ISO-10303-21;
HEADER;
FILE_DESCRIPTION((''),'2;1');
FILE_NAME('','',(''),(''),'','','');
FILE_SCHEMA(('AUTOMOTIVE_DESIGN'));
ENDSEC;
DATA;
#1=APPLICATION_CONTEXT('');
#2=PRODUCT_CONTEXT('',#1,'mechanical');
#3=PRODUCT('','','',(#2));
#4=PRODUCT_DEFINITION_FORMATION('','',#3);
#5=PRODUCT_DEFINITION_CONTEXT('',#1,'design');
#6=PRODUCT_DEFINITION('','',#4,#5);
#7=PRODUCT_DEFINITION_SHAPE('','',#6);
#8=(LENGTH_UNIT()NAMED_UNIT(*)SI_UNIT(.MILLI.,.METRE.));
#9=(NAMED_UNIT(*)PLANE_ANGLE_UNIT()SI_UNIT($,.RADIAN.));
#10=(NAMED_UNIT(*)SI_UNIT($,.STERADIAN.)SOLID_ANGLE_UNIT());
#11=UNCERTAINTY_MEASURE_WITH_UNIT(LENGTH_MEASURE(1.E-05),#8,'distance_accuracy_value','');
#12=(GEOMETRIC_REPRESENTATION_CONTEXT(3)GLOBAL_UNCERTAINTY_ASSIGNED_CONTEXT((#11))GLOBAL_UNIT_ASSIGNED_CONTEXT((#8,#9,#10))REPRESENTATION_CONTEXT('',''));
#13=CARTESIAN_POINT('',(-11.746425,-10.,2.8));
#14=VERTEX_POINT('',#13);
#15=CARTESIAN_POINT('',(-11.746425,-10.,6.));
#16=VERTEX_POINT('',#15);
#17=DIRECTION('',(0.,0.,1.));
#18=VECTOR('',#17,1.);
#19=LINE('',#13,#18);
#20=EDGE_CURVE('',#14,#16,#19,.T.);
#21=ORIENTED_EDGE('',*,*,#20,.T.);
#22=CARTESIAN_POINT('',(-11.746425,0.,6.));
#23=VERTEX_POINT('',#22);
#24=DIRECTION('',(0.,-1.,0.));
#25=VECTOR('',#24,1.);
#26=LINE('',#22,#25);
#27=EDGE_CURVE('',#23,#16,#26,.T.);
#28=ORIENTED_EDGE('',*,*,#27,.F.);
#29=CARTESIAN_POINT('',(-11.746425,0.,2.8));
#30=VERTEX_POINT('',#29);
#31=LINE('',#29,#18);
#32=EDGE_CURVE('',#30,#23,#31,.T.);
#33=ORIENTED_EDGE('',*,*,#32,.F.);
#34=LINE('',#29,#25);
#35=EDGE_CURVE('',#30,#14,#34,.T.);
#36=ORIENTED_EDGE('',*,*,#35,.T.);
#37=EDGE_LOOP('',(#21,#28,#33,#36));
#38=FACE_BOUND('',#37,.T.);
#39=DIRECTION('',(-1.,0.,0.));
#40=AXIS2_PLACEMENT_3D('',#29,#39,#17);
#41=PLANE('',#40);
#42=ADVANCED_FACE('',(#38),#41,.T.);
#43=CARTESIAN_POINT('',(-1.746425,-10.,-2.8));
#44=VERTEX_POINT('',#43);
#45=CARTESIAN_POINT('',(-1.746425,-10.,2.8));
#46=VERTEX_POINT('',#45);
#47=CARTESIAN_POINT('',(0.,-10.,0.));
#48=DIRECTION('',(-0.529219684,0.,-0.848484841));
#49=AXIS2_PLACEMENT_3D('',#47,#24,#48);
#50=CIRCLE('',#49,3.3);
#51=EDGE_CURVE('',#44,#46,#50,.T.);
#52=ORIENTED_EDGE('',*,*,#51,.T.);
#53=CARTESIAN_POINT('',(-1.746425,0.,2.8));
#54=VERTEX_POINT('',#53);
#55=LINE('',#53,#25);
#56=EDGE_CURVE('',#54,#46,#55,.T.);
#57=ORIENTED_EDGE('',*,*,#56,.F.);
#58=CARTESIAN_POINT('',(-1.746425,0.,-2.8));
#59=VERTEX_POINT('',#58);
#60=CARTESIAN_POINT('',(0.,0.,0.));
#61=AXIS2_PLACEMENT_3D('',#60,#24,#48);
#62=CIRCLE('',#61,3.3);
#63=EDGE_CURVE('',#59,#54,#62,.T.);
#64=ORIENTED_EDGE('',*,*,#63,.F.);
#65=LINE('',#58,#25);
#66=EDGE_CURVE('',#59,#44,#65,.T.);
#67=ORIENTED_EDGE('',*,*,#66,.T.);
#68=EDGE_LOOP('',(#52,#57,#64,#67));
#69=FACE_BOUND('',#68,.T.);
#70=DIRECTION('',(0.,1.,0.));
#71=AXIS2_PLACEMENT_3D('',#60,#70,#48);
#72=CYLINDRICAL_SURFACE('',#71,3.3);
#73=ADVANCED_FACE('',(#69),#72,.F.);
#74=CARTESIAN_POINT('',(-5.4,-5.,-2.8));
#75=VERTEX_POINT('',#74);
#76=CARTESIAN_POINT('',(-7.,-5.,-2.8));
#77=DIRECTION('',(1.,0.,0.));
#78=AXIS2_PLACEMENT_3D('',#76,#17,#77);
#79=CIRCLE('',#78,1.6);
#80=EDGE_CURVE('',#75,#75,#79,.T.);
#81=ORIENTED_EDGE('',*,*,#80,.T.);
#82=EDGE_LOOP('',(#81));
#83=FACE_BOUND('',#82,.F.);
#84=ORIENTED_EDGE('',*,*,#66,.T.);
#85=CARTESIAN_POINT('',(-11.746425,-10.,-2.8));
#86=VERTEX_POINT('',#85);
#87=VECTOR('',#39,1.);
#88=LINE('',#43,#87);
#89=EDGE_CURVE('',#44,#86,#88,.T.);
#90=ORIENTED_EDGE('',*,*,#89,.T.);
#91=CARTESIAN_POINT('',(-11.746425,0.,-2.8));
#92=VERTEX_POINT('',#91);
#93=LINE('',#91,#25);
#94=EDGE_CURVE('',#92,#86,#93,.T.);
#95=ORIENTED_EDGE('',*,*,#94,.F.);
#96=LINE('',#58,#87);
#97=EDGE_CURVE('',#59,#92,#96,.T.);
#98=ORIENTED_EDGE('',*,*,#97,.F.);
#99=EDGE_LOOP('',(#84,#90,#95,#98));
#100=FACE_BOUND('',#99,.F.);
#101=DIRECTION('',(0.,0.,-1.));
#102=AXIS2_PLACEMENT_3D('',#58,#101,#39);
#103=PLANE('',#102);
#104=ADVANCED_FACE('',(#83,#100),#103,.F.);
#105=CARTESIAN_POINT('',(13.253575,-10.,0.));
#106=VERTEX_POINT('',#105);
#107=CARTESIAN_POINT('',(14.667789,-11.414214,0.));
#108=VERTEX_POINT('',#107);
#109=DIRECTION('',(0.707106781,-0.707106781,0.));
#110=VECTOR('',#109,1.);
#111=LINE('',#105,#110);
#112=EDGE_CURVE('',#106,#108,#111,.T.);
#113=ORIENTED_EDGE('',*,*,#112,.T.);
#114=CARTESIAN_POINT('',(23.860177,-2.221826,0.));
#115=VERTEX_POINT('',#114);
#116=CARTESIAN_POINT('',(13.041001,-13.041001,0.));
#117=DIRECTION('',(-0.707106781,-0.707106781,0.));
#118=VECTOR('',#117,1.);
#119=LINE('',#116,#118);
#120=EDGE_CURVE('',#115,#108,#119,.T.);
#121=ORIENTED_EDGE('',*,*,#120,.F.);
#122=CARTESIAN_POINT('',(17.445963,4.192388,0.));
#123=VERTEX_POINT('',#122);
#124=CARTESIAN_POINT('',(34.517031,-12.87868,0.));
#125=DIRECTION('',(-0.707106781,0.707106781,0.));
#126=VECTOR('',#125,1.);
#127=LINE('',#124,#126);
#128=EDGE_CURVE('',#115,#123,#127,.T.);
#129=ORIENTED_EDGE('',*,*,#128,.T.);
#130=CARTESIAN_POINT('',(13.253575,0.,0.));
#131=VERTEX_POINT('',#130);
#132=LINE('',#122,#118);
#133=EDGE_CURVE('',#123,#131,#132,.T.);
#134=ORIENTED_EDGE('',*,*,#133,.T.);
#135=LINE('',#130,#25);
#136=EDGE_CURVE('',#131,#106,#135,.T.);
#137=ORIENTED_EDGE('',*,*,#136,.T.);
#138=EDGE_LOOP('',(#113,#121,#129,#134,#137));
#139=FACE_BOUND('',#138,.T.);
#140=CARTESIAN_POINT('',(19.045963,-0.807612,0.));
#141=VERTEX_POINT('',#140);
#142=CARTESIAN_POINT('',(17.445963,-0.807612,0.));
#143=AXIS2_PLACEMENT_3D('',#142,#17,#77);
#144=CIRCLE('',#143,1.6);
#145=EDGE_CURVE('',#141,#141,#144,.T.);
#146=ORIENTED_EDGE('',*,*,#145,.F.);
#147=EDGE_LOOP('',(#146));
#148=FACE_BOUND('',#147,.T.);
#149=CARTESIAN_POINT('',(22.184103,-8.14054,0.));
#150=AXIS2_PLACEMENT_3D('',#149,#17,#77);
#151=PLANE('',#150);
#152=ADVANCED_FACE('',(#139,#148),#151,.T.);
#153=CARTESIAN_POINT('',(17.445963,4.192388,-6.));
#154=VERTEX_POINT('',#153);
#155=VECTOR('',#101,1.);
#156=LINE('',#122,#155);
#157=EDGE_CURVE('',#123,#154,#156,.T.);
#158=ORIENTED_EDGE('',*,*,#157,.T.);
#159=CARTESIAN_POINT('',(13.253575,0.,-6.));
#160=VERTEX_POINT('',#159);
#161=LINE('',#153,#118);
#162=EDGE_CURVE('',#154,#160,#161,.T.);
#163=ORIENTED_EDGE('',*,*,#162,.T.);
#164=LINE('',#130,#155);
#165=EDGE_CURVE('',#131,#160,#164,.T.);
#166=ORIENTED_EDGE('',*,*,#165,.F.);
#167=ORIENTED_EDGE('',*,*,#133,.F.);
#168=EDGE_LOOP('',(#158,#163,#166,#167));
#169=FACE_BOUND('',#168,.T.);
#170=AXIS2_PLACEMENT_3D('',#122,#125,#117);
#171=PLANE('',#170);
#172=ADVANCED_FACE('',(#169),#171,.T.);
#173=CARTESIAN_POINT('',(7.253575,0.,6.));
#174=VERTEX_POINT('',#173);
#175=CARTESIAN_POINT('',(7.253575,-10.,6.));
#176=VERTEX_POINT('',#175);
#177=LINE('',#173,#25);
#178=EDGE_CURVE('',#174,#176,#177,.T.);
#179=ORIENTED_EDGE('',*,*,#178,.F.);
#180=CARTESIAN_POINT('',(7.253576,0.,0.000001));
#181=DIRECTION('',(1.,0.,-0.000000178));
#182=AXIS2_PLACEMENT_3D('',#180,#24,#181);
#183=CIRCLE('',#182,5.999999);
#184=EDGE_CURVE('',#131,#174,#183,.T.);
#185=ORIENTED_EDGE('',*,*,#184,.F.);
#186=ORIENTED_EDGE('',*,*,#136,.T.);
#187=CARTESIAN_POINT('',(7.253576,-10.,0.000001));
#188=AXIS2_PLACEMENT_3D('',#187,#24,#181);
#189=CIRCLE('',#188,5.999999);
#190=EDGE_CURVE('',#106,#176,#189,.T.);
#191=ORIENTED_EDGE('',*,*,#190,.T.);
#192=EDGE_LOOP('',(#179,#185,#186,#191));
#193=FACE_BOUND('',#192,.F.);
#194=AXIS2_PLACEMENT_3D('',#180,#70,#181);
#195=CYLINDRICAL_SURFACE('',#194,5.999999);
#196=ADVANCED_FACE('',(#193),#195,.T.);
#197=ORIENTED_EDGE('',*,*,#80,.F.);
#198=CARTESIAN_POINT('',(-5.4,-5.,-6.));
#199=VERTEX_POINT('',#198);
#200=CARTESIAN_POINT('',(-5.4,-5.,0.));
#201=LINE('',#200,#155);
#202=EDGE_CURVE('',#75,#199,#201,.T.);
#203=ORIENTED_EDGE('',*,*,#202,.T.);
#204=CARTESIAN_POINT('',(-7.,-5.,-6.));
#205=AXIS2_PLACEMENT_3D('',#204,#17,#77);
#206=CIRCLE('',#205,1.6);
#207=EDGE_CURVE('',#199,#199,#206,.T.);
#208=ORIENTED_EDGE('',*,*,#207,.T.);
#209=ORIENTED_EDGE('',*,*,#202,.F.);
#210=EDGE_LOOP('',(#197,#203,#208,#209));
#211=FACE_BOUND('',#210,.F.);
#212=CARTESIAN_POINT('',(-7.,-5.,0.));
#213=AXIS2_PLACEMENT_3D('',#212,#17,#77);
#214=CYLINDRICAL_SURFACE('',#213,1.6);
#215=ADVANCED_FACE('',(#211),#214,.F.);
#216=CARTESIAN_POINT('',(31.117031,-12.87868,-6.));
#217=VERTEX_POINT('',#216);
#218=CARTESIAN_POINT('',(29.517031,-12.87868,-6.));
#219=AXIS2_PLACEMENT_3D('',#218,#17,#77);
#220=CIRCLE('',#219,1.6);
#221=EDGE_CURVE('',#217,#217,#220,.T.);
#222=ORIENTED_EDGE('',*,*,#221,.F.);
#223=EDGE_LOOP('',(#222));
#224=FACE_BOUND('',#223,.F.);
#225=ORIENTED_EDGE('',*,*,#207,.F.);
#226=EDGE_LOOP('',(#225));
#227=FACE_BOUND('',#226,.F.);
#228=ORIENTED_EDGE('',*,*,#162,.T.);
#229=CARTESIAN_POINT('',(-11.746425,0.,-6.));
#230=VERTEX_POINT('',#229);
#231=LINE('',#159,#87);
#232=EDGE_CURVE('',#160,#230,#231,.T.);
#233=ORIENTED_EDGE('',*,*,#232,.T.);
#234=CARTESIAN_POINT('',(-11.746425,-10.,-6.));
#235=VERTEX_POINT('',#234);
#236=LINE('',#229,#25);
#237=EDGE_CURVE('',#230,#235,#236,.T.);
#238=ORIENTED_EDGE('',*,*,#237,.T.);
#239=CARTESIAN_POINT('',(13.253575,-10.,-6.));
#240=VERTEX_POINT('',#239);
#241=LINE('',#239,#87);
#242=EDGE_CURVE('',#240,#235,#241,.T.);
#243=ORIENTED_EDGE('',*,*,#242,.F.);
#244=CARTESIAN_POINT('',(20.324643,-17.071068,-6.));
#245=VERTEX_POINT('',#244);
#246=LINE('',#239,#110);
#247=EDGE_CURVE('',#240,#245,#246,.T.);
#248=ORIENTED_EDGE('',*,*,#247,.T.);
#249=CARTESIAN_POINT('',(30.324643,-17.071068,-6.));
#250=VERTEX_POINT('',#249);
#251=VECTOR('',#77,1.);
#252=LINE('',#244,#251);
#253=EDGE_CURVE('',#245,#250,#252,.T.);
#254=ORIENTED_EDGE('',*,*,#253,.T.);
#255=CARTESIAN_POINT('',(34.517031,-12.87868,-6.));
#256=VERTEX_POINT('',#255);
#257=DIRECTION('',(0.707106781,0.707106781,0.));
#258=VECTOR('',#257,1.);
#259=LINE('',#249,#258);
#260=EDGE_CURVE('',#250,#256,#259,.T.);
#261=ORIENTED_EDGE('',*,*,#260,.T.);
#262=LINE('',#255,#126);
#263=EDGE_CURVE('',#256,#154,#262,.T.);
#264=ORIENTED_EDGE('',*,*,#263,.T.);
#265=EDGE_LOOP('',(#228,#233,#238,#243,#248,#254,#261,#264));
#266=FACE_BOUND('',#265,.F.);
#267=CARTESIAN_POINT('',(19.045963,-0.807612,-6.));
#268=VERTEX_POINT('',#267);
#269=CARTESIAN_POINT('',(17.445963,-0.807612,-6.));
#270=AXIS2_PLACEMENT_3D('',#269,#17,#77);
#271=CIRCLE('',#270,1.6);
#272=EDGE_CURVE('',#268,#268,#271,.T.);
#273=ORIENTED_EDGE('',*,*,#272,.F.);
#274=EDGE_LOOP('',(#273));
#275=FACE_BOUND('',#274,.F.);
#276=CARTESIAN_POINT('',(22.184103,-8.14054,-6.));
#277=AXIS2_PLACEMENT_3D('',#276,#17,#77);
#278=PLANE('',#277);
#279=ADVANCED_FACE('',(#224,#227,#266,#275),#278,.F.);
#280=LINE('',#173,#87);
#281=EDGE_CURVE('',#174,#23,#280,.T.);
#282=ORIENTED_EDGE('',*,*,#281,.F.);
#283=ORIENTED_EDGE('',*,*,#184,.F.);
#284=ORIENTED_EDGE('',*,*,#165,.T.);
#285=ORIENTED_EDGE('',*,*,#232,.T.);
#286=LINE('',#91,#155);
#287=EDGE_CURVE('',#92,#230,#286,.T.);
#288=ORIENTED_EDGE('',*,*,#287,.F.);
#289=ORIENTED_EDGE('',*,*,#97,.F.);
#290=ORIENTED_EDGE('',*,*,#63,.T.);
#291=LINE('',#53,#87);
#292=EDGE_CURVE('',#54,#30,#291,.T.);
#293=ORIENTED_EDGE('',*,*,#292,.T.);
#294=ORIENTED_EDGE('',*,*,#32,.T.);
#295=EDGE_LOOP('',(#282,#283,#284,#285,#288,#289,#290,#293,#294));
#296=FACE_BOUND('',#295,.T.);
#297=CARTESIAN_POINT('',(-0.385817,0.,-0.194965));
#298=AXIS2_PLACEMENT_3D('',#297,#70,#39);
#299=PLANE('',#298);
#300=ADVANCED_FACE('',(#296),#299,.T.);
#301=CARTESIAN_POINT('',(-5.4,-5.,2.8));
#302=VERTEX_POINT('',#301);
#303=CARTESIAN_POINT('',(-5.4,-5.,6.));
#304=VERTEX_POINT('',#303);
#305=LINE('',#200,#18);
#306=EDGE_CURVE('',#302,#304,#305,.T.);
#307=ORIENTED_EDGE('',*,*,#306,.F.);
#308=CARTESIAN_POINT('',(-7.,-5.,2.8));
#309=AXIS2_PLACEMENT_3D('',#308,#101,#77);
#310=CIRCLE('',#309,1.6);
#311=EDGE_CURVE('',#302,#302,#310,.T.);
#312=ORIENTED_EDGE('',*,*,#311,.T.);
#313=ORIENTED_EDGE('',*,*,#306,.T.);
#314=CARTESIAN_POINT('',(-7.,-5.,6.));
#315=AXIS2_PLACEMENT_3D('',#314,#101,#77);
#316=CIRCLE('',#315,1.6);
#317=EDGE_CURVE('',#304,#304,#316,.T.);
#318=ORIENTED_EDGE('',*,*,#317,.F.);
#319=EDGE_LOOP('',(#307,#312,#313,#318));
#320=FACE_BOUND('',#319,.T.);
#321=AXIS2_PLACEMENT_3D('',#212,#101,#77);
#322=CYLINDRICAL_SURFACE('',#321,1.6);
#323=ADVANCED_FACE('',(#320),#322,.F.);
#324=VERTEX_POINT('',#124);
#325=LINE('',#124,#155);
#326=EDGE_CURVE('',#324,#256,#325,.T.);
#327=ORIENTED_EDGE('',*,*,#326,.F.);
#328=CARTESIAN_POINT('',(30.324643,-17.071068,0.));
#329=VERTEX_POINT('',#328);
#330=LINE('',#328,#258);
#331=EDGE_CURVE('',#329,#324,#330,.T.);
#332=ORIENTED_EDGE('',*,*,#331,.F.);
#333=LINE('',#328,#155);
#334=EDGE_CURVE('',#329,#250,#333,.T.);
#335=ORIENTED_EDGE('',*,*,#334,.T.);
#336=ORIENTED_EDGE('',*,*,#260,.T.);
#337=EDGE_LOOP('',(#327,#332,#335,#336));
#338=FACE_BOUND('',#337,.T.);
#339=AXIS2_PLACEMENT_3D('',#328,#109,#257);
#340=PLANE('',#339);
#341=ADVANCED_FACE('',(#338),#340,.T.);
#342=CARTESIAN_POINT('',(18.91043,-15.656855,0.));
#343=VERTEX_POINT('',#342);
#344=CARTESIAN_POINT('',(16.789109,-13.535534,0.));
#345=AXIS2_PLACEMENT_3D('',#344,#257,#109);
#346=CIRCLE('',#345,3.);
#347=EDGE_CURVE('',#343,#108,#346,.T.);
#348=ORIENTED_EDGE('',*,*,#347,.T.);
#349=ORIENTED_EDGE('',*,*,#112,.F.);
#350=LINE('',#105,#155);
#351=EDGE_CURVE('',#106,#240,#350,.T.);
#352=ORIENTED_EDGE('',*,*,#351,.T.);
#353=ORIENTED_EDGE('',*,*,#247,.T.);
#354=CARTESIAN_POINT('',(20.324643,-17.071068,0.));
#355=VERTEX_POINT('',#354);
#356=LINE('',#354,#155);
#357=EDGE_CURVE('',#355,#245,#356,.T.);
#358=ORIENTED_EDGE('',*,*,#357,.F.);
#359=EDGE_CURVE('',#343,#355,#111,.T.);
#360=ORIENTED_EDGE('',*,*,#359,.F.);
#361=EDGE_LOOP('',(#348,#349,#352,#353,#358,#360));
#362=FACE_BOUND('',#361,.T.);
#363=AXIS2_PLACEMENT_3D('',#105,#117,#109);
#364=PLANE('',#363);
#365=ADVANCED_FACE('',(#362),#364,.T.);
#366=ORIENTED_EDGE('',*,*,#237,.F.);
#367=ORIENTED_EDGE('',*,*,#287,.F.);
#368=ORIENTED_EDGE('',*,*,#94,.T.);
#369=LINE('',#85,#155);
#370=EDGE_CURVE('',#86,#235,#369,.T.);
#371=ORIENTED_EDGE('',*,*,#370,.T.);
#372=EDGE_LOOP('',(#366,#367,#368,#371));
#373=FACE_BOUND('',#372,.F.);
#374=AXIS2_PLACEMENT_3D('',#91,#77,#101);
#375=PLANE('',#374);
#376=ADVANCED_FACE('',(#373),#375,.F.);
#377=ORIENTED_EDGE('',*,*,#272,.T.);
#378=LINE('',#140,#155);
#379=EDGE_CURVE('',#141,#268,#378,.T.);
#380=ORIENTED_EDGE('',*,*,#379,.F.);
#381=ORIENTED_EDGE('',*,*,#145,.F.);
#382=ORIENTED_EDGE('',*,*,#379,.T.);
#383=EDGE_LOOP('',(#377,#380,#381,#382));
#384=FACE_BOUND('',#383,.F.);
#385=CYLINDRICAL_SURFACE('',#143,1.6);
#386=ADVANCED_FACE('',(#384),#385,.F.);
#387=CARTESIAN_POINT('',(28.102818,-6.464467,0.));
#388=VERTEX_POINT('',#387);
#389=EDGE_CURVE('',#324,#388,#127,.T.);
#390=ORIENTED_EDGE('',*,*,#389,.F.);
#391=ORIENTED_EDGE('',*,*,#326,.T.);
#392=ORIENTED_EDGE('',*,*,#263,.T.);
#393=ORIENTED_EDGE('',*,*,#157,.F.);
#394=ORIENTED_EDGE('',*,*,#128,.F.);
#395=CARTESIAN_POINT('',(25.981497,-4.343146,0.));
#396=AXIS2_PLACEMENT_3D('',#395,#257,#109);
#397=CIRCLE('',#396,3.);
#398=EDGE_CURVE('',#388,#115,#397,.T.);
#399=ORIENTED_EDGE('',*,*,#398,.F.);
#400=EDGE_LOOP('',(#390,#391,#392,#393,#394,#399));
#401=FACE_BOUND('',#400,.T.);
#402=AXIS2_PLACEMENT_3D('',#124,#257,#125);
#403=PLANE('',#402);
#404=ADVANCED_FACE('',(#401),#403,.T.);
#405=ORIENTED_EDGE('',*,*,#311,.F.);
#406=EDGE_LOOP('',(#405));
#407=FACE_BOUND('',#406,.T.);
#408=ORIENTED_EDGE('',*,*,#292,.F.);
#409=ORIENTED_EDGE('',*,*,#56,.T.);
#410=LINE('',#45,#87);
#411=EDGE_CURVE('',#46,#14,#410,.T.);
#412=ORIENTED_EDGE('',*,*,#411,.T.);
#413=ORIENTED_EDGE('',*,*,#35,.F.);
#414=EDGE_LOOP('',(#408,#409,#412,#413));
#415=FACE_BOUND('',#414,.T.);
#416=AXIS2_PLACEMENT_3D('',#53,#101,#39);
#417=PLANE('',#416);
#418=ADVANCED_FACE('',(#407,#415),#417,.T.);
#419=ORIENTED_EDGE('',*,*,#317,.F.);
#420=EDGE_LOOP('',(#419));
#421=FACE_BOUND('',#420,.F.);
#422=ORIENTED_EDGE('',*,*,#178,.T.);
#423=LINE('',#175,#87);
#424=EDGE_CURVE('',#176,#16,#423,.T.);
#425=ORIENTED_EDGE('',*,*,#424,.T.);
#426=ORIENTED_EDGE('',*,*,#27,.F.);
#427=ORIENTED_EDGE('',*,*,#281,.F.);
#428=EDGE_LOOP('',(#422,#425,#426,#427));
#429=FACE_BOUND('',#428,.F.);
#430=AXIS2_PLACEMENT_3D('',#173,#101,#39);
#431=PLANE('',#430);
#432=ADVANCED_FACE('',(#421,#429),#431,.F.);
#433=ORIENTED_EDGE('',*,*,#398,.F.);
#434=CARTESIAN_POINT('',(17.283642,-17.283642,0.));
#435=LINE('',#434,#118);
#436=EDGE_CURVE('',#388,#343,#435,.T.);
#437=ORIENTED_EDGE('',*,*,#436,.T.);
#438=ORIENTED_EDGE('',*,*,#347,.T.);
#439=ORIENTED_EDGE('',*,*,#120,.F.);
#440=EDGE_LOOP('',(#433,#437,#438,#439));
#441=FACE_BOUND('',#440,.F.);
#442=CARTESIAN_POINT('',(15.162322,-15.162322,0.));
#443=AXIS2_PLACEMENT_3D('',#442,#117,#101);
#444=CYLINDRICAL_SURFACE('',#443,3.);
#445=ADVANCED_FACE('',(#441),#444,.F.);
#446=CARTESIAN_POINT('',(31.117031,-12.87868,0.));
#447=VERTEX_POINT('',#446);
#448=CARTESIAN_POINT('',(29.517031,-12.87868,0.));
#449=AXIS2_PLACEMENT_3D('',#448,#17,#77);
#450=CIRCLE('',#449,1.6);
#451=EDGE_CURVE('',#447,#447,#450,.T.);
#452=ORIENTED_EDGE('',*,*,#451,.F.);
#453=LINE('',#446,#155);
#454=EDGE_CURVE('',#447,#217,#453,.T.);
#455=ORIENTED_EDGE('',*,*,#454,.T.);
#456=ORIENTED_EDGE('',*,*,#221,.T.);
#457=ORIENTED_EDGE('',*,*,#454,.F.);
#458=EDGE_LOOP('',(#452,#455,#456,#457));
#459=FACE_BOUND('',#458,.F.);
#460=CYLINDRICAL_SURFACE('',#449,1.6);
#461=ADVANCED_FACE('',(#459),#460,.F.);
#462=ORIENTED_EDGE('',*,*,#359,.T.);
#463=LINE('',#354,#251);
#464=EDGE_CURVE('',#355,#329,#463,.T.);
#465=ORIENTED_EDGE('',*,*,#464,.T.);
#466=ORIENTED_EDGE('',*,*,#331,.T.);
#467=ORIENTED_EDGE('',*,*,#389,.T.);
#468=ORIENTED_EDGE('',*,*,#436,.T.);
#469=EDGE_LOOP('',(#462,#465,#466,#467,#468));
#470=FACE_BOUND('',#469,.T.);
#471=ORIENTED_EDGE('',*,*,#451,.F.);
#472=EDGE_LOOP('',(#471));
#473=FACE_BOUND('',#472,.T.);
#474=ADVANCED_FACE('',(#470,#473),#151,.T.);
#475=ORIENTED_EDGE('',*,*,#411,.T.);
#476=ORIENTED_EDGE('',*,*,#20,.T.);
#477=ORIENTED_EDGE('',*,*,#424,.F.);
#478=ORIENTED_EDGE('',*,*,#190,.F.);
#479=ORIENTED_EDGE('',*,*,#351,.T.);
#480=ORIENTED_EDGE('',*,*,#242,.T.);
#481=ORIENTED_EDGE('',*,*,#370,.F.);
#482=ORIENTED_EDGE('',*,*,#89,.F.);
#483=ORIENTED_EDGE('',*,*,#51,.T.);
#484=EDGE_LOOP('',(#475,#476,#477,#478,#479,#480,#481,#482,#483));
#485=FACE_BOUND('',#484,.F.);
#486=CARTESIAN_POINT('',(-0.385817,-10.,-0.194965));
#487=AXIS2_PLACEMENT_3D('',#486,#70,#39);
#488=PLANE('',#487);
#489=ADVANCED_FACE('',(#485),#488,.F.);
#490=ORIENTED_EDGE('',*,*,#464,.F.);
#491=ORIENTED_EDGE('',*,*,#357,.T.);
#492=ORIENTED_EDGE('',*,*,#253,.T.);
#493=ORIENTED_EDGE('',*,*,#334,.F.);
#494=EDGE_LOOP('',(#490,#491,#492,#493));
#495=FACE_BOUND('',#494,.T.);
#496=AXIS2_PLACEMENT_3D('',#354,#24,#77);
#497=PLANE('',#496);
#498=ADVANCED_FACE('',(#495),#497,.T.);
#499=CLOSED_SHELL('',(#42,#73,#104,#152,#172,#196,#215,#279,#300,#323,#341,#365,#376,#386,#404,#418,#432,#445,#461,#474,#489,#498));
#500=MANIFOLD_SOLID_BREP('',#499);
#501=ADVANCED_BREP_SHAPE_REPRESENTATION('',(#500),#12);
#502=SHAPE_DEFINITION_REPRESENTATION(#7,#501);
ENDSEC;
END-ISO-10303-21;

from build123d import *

# Parameters (mm, degrees)
PAD_DEPTH            = 10
SKETCH_R             = 1.6
PAD001_DEPTH         = 6
SKETCH004_R          = 3
POCKET_DEPTH         = 27.372693
SKETCH005_R          = 1.6
POCKET001_DEPTH      = 6.001
POCKET001_DEPTH_BACK = -6.001


with BuildPart() as part:
    # Sketch003 → Pad (new body)
    with BuildSketch(Plane.XZ):
        with BuildLine():
            Line((13.253575, -6), (-11.746425, -6))
            Line((-11.746425, -2.8), (-11.746425, -6))
            Line((-1.746425, -2.8), (-11.746425, -2.8))
            ThreePointArc((-1.746425, -2.8), (3.3, 0), (-1.746425, 2.8))
            Line((-1.746425, 2.8), (-11.746425, 2.8))
            Line((-11.746425, 2.8), (-11.746425, 6))
            Line((7.253575, 6), (-11.746425, 6))
            ThreePointArc((13.253575, 0), (11.496216, 4.242641), (7.253575, 6))
            Line((13.253575, 0), (13.253575, -6))
        make_face()
    extrude(amount=PAD_DEPTH)

    # Sketch → Pad001 (join)
    with BuildSketch(Plane.XY):
        Polygon((13.253575, -10), (20.324643, -17.071068), (30.324643, -17.071068), (34.517031, -12.87868), (17.445963, 4.192388), (13.253575, 0), align=None)
        with Locations((17.445963, -0.807612)):
            Circle(SKETCH_R, mode=Mode.SUBTRACT)
        with Locations((29.517031, -12.87868)):
            Circle(SKETCH_R, mode=Mode.SUBTRACT)
    extrude(amount=-PAD001_DEPTH)

    # Sketch004 (on DatumPlane) → Pocket (cut, through all)
    with BuildSketch(Plane(origin=(0, 0, 3.5), x_dir=(0, 0, -1), z_dir=(-0.707107, -0.707107, 0))):
        with Locations((3.5, 21.442761)):
            Circle(SKETCH004_R)
    extrude(amount=-POCKET_DEPTH, mode=Mode.SUBTRACT)

    # Sketch005 → Pocket001 (cut, two sides)
    with BuildSketch(Plane.XY) as pocket001_sk:
        with Locations((-7, -5)):
            Circle(SKETCH005_R)
    extrude(amount=-POCKET001_DEPTH, mode=Mode.SUBTRACT)
    extrude(pocket001_sk.sketch, amount=-POCKET001_DEPTH_BACK, mode=Mode.SUBTRACT)


solid = part.part
